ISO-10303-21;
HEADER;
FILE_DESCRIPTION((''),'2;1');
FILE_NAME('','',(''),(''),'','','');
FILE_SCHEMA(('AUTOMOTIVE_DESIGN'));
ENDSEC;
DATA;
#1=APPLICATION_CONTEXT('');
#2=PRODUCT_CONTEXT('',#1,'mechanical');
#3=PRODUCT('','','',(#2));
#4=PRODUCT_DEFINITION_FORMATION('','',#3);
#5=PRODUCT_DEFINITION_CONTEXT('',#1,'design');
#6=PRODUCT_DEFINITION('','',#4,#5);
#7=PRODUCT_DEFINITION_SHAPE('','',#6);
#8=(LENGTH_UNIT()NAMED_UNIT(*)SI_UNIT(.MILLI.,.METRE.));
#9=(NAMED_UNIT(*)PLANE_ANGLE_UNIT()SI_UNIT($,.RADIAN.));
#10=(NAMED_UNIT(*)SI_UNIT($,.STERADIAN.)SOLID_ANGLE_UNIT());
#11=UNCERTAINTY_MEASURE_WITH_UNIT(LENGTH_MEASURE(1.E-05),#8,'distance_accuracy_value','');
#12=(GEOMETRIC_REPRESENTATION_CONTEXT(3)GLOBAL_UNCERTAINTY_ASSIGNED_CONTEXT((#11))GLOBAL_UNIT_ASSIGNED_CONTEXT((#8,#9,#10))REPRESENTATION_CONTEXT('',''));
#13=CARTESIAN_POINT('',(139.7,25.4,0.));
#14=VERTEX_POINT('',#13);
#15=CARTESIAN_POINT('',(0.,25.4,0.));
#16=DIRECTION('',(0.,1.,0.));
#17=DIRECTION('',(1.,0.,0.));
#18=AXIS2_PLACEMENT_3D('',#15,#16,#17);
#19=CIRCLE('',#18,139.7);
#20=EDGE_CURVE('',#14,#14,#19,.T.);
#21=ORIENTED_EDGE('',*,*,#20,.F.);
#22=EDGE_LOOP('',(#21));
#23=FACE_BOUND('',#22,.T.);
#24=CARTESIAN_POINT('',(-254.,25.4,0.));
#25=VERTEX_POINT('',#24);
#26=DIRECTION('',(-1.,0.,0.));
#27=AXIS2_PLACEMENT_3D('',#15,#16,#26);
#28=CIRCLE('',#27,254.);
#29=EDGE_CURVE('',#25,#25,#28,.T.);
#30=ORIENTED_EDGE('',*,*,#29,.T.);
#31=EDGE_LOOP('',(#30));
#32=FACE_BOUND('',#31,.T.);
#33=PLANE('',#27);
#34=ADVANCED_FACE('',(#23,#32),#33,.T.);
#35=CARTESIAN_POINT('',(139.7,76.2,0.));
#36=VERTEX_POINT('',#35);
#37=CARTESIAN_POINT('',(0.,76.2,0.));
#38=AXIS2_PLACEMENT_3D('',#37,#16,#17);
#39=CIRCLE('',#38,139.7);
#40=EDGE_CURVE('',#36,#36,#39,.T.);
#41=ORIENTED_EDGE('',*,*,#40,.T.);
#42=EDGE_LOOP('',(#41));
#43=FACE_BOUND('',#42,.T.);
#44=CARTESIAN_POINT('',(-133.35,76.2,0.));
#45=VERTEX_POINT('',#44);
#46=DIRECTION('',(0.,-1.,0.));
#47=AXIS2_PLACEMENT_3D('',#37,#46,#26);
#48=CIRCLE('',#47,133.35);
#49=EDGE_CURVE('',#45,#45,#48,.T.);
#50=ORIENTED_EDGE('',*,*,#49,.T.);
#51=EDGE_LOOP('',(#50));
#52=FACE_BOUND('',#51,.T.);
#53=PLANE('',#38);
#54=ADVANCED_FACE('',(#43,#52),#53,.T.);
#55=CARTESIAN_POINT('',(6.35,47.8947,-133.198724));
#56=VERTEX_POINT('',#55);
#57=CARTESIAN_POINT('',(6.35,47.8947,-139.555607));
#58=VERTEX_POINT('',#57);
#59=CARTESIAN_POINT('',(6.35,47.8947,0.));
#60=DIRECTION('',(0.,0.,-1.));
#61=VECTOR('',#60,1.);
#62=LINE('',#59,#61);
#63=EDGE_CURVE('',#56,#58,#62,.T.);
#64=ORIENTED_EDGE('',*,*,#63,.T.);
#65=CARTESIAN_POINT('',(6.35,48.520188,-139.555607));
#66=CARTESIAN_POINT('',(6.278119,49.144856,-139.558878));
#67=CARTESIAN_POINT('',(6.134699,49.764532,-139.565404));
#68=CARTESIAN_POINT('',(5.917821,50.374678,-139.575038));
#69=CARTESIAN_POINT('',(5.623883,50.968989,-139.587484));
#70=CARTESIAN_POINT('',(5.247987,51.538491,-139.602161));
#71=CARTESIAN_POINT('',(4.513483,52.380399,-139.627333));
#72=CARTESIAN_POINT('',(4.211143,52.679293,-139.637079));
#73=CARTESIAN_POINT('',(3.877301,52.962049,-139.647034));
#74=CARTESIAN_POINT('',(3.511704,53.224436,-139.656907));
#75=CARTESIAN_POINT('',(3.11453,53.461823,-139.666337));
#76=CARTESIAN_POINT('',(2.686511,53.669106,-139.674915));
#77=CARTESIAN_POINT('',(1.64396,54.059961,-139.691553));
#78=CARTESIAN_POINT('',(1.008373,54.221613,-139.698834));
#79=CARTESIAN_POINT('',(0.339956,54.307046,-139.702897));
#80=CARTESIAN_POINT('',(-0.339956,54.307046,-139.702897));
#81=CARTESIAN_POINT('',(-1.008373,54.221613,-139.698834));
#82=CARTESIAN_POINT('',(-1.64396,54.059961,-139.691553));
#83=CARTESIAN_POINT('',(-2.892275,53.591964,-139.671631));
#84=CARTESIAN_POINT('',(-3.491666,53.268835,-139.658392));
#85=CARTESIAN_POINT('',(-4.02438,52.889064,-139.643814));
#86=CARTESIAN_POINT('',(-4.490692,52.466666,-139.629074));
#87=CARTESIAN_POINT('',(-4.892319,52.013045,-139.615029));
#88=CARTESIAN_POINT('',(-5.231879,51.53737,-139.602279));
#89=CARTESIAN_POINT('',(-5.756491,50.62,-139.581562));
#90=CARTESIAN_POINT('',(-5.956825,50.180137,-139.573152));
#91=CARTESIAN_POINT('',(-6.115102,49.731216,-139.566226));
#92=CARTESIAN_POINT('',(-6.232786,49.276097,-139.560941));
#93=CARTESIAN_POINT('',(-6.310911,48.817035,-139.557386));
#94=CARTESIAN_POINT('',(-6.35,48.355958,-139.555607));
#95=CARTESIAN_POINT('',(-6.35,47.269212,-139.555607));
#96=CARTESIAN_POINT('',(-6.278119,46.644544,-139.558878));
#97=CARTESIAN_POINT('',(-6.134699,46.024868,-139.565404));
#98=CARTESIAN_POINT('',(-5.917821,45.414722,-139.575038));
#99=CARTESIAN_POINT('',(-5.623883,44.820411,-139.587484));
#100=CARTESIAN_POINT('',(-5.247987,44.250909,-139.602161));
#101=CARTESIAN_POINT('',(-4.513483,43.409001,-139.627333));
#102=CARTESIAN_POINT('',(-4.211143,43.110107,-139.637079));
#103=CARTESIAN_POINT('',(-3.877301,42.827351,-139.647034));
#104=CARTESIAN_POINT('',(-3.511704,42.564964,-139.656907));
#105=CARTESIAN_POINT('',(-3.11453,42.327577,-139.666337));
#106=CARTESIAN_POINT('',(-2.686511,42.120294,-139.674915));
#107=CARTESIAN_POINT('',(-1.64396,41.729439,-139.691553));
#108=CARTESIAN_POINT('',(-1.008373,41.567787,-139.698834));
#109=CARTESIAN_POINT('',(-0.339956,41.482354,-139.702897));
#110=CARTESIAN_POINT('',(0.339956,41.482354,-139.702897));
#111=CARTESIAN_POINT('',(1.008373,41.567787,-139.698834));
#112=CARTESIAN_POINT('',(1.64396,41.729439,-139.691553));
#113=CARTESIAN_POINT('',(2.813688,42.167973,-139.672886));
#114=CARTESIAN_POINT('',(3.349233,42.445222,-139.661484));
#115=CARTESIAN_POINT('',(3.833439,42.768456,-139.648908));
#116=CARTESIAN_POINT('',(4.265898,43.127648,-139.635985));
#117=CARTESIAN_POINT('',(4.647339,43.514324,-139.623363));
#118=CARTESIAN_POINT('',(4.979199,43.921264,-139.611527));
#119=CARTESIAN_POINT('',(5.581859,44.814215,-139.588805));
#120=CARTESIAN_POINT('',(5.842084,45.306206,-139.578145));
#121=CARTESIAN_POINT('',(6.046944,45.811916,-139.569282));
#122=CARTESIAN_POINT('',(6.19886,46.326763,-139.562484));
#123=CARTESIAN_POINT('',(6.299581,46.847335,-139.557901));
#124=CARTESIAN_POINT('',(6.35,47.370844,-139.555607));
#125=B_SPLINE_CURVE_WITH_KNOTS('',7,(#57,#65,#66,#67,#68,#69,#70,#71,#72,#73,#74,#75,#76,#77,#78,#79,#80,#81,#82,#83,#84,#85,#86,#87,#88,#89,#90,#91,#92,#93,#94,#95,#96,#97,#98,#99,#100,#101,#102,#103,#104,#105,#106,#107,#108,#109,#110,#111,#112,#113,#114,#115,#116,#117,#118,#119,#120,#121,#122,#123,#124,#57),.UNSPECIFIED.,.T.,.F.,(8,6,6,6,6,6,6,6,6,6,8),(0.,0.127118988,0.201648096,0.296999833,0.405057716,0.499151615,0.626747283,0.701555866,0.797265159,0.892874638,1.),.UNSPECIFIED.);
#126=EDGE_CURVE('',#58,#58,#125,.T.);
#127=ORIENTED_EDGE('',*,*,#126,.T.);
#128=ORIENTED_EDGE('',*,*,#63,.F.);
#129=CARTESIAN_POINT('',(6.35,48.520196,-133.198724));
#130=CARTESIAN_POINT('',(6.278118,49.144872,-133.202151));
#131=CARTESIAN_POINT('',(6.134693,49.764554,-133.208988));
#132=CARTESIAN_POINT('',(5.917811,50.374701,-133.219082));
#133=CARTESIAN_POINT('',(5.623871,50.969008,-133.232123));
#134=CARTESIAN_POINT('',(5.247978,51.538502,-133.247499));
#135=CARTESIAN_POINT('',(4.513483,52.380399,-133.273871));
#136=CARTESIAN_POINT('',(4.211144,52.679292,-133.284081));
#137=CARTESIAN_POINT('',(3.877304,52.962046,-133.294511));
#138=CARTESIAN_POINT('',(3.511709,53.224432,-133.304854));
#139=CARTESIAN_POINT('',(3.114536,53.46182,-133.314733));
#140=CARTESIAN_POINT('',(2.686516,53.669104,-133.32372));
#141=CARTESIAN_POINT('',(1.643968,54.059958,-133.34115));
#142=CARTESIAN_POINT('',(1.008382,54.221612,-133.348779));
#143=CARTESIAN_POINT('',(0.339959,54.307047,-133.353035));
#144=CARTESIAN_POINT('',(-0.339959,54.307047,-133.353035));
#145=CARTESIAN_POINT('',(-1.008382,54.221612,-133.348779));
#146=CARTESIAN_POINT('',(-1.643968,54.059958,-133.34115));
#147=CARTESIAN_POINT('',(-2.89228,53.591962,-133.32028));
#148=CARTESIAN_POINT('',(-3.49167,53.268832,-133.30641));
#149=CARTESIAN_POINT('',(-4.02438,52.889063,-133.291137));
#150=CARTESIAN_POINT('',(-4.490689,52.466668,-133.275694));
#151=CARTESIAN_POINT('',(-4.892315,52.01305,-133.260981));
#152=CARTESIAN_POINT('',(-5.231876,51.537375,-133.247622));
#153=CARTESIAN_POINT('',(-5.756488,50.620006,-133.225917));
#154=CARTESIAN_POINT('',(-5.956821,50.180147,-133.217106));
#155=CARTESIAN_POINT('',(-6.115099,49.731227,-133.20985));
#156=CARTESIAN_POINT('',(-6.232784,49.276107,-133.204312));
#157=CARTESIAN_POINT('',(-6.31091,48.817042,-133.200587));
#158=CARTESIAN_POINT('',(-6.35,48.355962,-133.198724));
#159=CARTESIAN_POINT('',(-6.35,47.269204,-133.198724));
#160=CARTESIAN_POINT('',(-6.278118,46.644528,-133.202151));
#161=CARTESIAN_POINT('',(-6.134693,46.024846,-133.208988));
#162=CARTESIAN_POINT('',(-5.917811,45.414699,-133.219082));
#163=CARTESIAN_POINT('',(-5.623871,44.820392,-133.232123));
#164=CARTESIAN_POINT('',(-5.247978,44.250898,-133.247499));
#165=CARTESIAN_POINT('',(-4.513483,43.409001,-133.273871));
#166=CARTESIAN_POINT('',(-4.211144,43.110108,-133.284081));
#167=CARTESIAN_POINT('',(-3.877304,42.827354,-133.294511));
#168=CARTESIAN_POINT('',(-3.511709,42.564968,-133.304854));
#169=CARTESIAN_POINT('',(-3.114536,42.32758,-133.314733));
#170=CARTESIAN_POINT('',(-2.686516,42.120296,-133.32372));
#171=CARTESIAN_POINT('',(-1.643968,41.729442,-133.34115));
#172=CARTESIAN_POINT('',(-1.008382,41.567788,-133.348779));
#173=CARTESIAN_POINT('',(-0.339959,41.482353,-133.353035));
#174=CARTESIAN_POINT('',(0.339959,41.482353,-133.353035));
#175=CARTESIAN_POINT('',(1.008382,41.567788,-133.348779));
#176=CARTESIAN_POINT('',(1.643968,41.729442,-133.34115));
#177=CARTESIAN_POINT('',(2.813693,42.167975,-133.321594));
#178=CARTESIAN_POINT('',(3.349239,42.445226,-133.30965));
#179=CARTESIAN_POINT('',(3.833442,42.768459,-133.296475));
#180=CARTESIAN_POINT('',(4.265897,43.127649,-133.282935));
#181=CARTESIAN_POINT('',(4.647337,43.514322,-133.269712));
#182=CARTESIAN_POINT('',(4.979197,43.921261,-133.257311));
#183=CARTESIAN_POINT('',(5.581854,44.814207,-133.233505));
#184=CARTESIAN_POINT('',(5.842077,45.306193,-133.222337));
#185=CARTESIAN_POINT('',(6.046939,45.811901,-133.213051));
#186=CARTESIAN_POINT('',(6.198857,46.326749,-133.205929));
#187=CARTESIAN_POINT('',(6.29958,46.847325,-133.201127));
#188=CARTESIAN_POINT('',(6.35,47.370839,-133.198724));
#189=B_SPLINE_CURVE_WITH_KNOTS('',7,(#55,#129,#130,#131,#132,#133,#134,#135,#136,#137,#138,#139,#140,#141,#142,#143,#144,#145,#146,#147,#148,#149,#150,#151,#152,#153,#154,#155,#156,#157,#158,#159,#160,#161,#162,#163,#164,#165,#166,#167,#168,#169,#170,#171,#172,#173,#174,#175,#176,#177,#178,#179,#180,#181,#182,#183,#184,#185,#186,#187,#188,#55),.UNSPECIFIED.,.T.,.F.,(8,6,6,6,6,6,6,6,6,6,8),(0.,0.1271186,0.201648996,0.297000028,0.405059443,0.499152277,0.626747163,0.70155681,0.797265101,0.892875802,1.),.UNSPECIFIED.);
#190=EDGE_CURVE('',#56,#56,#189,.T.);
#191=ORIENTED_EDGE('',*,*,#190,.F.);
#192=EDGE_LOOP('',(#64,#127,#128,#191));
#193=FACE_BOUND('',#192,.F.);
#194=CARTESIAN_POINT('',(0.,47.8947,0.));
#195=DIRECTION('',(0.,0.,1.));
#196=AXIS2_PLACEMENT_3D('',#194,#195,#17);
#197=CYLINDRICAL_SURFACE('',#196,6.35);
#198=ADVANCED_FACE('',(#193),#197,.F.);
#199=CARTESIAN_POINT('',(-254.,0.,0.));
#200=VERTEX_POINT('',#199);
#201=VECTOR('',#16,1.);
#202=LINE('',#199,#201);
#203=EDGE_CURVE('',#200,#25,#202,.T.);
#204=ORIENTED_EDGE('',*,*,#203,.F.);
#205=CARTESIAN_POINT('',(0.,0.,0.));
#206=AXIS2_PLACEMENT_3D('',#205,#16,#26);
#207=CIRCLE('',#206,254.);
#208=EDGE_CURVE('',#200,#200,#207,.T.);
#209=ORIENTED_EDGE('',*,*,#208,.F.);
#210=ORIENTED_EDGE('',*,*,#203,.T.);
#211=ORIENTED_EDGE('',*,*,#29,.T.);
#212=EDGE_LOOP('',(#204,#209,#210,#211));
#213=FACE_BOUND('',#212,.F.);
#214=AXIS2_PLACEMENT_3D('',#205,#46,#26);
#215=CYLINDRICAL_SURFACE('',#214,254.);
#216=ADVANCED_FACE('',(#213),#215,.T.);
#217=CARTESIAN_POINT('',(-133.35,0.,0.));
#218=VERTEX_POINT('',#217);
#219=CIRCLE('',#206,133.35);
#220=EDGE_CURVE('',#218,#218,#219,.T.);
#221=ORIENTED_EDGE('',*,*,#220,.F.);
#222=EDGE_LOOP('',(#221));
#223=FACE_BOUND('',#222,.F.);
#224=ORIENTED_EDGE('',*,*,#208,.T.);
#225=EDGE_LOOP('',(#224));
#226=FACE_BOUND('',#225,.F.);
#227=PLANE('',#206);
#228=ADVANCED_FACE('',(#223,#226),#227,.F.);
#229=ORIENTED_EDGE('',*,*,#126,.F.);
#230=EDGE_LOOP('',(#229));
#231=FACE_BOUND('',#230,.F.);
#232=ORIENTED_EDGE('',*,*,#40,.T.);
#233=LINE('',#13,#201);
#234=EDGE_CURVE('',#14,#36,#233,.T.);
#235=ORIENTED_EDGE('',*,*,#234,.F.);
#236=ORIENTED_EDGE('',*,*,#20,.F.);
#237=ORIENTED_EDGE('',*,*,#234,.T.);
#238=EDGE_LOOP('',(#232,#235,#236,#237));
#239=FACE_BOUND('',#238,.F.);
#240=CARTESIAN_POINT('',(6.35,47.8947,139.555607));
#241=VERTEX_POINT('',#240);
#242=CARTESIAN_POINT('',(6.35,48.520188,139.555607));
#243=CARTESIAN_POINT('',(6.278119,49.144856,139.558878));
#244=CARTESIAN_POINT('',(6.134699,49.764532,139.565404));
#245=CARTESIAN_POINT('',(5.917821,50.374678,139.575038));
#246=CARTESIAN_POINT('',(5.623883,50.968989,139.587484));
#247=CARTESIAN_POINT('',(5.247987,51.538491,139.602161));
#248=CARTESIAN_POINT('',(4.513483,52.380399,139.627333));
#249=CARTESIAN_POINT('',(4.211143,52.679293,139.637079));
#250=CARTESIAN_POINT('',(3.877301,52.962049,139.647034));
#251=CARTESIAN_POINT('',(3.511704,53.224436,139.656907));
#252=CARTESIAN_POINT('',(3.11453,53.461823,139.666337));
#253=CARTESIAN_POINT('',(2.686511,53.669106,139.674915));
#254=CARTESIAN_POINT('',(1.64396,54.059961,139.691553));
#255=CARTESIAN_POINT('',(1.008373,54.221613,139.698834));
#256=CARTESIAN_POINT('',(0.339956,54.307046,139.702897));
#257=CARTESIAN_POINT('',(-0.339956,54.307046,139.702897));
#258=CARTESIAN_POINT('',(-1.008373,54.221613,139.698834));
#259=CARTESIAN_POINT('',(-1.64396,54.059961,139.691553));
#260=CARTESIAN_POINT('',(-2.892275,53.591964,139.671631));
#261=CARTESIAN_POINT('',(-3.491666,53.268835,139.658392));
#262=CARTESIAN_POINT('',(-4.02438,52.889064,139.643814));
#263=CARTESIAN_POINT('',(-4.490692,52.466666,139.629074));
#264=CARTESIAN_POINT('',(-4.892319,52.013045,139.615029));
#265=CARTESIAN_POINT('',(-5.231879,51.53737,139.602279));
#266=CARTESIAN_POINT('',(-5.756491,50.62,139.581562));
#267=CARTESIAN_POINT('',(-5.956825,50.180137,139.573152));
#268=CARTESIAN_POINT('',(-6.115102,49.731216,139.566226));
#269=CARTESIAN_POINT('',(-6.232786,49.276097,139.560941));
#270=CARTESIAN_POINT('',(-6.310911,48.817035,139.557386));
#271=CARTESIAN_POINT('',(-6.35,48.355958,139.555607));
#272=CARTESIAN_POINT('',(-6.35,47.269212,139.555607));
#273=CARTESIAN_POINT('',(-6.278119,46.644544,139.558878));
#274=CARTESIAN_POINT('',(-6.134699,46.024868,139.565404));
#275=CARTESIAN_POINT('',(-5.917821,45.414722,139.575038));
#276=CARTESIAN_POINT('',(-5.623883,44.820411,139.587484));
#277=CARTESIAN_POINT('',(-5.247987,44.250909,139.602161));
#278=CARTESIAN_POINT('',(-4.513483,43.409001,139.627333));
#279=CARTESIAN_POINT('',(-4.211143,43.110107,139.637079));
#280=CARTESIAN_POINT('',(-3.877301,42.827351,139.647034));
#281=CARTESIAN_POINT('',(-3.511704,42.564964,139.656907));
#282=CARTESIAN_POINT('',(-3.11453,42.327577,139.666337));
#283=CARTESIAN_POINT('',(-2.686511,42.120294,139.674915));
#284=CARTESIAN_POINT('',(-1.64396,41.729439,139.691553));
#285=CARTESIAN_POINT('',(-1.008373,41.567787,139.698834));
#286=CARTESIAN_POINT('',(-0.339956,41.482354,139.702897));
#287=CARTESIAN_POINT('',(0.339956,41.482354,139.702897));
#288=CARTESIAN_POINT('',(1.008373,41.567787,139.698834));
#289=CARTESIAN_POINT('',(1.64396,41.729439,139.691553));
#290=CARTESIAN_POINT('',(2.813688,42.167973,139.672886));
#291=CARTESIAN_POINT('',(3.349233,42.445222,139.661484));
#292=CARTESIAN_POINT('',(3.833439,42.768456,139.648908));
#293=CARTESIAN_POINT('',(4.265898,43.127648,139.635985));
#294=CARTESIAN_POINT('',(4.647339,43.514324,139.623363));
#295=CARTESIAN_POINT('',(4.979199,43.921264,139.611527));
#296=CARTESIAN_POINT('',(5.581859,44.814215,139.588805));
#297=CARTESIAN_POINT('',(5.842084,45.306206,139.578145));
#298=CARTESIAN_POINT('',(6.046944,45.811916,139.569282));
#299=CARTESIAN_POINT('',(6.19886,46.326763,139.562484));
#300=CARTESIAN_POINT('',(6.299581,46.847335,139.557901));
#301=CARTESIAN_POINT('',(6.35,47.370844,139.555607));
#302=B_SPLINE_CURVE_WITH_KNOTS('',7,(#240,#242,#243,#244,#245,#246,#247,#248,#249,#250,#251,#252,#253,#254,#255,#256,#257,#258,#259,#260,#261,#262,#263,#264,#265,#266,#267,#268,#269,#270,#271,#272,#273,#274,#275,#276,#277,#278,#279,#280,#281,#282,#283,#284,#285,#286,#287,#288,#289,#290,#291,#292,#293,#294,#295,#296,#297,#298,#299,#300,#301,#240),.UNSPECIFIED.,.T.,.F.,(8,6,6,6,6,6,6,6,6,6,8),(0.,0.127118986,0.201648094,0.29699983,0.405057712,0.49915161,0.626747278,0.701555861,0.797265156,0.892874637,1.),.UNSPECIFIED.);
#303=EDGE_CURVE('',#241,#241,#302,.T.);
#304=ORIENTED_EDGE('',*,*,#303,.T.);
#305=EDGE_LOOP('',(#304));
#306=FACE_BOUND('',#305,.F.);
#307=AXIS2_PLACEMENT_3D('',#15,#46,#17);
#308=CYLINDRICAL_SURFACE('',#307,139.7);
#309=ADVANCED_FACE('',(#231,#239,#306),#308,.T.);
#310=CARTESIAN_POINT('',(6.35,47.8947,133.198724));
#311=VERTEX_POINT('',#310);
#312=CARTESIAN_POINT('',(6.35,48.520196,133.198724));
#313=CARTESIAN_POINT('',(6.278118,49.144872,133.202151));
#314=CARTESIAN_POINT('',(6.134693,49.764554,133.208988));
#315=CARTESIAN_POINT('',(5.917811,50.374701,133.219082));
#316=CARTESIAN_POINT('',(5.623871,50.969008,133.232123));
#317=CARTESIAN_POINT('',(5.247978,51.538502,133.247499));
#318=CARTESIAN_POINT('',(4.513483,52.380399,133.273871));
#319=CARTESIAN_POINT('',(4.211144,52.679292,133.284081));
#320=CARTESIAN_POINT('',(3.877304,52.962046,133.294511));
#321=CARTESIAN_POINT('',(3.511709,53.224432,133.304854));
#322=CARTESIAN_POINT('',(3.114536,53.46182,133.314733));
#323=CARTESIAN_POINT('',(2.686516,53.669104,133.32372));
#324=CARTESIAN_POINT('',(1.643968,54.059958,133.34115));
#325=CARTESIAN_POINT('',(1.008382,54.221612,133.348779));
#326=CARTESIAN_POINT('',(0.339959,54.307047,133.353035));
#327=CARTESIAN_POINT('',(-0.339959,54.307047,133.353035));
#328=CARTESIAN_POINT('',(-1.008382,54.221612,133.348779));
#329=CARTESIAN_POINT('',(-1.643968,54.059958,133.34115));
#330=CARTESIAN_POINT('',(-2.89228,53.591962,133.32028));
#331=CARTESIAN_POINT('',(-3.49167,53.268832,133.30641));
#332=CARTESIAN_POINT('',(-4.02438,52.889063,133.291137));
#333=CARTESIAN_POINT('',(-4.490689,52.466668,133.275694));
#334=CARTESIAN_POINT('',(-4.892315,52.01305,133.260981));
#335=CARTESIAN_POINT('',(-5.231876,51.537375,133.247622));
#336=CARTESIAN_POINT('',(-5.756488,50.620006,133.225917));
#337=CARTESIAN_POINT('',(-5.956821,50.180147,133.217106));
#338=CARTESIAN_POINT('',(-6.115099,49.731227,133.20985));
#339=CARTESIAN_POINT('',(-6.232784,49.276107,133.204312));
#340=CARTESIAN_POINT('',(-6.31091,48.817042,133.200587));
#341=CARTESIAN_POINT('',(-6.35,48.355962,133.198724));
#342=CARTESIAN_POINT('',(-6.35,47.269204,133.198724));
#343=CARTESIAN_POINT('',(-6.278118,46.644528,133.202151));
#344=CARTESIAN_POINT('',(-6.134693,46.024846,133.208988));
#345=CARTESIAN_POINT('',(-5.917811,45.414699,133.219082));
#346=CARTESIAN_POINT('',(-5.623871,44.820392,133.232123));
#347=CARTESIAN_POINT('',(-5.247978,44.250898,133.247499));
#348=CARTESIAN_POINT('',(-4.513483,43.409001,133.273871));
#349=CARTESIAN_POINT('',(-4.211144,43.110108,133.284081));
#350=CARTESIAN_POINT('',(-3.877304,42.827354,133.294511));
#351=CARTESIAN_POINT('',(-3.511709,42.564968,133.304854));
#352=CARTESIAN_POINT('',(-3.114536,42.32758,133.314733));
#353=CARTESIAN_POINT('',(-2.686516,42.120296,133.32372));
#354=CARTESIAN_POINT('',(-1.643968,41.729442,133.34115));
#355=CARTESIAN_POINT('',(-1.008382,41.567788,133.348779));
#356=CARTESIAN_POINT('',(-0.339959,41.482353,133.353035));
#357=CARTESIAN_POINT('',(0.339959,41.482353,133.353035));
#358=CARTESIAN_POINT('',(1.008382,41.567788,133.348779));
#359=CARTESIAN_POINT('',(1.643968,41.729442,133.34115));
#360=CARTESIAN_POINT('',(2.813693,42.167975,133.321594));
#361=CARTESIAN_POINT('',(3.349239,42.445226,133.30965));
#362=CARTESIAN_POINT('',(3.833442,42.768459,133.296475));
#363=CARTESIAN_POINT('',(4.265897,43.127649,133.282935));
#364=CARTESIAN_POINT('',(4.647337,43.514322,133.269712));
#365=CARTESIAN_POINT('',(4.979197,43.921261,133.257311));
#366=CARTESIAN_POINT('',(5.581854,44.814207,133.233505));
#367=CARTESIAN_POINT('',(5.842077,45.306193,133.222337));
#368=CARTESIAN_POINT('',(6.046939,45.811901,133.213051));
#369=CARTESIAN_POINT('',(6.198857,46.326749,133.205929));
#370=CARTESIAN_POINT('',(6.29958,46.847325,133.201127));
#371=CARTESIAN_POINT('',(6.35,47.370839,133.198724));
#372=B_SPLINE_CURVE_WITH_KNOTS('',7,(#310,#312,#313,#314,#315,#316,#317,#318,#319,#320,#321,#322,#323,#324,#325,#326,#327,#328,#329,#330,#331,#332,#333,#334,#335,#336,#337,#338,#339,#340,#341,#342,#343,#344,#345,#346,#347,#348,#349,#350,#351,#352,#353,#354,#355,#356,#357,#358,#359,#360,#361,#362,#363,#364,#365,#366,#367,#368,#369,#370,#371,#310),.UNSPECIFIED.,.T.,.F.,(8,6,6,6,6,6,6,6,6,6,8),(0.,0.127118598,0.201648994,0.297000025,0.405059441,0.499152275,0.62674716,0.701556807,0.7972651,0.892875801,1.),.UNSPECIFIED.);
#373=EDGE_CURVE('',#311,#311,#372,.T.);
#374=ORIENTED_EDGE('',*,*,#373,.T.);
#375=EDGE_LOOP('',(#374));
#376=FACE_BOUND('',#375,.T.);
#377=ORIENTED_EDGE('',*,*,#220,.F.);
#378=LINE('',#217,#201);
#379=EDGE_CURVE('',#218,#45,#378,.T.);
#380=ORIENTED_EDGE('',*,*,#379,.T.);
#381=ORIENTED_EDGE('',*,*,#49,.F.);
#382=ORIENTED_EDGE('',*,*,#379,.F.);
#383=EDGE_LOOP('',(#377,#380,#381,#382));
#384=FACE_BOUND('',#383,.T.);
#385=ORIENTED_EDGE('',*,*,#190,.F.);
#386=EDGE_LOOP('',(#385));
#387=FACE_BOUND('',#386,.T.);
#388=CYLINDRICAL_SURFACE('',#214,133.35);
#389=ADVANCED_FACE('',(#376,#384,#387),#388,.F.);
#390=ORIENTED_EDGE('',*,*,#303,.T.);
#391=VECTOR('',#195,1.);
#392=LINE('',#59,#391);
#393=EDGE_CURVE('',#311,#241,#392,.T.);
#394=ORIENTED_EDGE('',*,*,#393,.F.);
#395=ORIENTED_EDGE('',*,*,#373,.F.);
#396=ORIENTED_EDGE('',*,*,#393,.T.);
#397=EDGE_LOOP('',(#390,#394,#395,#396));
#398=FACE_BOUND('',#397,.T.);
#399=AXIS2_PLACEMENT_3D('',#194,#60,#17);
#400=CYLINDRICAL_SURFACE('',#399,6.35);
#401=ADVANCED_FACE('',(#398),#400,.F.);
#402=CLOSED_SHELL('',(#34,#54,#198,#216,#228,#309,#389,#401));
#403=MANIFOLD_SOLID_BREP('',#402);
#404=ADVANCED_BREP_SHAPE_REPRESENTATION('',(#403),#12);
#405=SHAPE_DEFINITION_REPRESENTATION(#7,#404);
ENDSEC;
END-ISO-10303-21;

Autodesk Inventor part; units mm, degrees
ref_plane "YZ Plane" through (0, 0, 0) normal (1, 0, 0) x (0, 1, 0)
ref_plane "XZ Plane" through (0, 0, 0) normal (0, 1, 0) x (-1, 0, 0)
ref_plane "XY Plane" through (0, 0, 0) normal (0, 0, 1) x (1, 0, 0)
sketch "Sketch1" plane through (0, 0, 0) normal (0, 1, 0) x (-1, 0, 0)
  circle A0 centre (0, 0) radius 254
  dimension "d0" = 508
extrude "Extrusion1" add sketch "Sketch1" along normal blind 25.4
sketch "Sketch2" plane through (0, 25.4, 0) normal (0, 1, 0) x (1, 0, 0)
  circle A0 centre (0, 0) radius 139.7
  dimension "d3" = 279.4
extrude "Extrusion2" add sketch "Sketch2" along normal blind 50.8
sketch "Sketch3" plane through (0, 0, 0) normal (0, 1, 0) x (-1, 0, 0)
  circle A0 centre (0, 0) radius 133.35
  dimension "d6" = 266.7
extrude "Extrusion3" cut sketch "Sketch3" along normal up to next
sketch "Sketch4" plane through (0, 0, 0) normal (0, 0, 1) x (1, 0, 0)
  circle A0 centre (0, 50.8) radius 6.35
  line L0 (254, 25.4) -> (-254, 25.4) projected
  point P0 (0, 0)
  dimension "d9" = 12.7
  dimension "d10" = 25.4
extrude "Extrusion4" cut sketch "Sketch4" along normal mid plane 228.6
sketch "Sketch5" plane through (0, 0, 0) normal (0, 0, 1) x (1, 0, 0)
  circle A0 centre (0, 47.8947) radius 6.35
  point P0 (0, 0)
  dimension "d13" = 12.7
extrude "Extrusion5" cut sketch "Sketch5" along normal mid plane 381
properties part number "Top2"
